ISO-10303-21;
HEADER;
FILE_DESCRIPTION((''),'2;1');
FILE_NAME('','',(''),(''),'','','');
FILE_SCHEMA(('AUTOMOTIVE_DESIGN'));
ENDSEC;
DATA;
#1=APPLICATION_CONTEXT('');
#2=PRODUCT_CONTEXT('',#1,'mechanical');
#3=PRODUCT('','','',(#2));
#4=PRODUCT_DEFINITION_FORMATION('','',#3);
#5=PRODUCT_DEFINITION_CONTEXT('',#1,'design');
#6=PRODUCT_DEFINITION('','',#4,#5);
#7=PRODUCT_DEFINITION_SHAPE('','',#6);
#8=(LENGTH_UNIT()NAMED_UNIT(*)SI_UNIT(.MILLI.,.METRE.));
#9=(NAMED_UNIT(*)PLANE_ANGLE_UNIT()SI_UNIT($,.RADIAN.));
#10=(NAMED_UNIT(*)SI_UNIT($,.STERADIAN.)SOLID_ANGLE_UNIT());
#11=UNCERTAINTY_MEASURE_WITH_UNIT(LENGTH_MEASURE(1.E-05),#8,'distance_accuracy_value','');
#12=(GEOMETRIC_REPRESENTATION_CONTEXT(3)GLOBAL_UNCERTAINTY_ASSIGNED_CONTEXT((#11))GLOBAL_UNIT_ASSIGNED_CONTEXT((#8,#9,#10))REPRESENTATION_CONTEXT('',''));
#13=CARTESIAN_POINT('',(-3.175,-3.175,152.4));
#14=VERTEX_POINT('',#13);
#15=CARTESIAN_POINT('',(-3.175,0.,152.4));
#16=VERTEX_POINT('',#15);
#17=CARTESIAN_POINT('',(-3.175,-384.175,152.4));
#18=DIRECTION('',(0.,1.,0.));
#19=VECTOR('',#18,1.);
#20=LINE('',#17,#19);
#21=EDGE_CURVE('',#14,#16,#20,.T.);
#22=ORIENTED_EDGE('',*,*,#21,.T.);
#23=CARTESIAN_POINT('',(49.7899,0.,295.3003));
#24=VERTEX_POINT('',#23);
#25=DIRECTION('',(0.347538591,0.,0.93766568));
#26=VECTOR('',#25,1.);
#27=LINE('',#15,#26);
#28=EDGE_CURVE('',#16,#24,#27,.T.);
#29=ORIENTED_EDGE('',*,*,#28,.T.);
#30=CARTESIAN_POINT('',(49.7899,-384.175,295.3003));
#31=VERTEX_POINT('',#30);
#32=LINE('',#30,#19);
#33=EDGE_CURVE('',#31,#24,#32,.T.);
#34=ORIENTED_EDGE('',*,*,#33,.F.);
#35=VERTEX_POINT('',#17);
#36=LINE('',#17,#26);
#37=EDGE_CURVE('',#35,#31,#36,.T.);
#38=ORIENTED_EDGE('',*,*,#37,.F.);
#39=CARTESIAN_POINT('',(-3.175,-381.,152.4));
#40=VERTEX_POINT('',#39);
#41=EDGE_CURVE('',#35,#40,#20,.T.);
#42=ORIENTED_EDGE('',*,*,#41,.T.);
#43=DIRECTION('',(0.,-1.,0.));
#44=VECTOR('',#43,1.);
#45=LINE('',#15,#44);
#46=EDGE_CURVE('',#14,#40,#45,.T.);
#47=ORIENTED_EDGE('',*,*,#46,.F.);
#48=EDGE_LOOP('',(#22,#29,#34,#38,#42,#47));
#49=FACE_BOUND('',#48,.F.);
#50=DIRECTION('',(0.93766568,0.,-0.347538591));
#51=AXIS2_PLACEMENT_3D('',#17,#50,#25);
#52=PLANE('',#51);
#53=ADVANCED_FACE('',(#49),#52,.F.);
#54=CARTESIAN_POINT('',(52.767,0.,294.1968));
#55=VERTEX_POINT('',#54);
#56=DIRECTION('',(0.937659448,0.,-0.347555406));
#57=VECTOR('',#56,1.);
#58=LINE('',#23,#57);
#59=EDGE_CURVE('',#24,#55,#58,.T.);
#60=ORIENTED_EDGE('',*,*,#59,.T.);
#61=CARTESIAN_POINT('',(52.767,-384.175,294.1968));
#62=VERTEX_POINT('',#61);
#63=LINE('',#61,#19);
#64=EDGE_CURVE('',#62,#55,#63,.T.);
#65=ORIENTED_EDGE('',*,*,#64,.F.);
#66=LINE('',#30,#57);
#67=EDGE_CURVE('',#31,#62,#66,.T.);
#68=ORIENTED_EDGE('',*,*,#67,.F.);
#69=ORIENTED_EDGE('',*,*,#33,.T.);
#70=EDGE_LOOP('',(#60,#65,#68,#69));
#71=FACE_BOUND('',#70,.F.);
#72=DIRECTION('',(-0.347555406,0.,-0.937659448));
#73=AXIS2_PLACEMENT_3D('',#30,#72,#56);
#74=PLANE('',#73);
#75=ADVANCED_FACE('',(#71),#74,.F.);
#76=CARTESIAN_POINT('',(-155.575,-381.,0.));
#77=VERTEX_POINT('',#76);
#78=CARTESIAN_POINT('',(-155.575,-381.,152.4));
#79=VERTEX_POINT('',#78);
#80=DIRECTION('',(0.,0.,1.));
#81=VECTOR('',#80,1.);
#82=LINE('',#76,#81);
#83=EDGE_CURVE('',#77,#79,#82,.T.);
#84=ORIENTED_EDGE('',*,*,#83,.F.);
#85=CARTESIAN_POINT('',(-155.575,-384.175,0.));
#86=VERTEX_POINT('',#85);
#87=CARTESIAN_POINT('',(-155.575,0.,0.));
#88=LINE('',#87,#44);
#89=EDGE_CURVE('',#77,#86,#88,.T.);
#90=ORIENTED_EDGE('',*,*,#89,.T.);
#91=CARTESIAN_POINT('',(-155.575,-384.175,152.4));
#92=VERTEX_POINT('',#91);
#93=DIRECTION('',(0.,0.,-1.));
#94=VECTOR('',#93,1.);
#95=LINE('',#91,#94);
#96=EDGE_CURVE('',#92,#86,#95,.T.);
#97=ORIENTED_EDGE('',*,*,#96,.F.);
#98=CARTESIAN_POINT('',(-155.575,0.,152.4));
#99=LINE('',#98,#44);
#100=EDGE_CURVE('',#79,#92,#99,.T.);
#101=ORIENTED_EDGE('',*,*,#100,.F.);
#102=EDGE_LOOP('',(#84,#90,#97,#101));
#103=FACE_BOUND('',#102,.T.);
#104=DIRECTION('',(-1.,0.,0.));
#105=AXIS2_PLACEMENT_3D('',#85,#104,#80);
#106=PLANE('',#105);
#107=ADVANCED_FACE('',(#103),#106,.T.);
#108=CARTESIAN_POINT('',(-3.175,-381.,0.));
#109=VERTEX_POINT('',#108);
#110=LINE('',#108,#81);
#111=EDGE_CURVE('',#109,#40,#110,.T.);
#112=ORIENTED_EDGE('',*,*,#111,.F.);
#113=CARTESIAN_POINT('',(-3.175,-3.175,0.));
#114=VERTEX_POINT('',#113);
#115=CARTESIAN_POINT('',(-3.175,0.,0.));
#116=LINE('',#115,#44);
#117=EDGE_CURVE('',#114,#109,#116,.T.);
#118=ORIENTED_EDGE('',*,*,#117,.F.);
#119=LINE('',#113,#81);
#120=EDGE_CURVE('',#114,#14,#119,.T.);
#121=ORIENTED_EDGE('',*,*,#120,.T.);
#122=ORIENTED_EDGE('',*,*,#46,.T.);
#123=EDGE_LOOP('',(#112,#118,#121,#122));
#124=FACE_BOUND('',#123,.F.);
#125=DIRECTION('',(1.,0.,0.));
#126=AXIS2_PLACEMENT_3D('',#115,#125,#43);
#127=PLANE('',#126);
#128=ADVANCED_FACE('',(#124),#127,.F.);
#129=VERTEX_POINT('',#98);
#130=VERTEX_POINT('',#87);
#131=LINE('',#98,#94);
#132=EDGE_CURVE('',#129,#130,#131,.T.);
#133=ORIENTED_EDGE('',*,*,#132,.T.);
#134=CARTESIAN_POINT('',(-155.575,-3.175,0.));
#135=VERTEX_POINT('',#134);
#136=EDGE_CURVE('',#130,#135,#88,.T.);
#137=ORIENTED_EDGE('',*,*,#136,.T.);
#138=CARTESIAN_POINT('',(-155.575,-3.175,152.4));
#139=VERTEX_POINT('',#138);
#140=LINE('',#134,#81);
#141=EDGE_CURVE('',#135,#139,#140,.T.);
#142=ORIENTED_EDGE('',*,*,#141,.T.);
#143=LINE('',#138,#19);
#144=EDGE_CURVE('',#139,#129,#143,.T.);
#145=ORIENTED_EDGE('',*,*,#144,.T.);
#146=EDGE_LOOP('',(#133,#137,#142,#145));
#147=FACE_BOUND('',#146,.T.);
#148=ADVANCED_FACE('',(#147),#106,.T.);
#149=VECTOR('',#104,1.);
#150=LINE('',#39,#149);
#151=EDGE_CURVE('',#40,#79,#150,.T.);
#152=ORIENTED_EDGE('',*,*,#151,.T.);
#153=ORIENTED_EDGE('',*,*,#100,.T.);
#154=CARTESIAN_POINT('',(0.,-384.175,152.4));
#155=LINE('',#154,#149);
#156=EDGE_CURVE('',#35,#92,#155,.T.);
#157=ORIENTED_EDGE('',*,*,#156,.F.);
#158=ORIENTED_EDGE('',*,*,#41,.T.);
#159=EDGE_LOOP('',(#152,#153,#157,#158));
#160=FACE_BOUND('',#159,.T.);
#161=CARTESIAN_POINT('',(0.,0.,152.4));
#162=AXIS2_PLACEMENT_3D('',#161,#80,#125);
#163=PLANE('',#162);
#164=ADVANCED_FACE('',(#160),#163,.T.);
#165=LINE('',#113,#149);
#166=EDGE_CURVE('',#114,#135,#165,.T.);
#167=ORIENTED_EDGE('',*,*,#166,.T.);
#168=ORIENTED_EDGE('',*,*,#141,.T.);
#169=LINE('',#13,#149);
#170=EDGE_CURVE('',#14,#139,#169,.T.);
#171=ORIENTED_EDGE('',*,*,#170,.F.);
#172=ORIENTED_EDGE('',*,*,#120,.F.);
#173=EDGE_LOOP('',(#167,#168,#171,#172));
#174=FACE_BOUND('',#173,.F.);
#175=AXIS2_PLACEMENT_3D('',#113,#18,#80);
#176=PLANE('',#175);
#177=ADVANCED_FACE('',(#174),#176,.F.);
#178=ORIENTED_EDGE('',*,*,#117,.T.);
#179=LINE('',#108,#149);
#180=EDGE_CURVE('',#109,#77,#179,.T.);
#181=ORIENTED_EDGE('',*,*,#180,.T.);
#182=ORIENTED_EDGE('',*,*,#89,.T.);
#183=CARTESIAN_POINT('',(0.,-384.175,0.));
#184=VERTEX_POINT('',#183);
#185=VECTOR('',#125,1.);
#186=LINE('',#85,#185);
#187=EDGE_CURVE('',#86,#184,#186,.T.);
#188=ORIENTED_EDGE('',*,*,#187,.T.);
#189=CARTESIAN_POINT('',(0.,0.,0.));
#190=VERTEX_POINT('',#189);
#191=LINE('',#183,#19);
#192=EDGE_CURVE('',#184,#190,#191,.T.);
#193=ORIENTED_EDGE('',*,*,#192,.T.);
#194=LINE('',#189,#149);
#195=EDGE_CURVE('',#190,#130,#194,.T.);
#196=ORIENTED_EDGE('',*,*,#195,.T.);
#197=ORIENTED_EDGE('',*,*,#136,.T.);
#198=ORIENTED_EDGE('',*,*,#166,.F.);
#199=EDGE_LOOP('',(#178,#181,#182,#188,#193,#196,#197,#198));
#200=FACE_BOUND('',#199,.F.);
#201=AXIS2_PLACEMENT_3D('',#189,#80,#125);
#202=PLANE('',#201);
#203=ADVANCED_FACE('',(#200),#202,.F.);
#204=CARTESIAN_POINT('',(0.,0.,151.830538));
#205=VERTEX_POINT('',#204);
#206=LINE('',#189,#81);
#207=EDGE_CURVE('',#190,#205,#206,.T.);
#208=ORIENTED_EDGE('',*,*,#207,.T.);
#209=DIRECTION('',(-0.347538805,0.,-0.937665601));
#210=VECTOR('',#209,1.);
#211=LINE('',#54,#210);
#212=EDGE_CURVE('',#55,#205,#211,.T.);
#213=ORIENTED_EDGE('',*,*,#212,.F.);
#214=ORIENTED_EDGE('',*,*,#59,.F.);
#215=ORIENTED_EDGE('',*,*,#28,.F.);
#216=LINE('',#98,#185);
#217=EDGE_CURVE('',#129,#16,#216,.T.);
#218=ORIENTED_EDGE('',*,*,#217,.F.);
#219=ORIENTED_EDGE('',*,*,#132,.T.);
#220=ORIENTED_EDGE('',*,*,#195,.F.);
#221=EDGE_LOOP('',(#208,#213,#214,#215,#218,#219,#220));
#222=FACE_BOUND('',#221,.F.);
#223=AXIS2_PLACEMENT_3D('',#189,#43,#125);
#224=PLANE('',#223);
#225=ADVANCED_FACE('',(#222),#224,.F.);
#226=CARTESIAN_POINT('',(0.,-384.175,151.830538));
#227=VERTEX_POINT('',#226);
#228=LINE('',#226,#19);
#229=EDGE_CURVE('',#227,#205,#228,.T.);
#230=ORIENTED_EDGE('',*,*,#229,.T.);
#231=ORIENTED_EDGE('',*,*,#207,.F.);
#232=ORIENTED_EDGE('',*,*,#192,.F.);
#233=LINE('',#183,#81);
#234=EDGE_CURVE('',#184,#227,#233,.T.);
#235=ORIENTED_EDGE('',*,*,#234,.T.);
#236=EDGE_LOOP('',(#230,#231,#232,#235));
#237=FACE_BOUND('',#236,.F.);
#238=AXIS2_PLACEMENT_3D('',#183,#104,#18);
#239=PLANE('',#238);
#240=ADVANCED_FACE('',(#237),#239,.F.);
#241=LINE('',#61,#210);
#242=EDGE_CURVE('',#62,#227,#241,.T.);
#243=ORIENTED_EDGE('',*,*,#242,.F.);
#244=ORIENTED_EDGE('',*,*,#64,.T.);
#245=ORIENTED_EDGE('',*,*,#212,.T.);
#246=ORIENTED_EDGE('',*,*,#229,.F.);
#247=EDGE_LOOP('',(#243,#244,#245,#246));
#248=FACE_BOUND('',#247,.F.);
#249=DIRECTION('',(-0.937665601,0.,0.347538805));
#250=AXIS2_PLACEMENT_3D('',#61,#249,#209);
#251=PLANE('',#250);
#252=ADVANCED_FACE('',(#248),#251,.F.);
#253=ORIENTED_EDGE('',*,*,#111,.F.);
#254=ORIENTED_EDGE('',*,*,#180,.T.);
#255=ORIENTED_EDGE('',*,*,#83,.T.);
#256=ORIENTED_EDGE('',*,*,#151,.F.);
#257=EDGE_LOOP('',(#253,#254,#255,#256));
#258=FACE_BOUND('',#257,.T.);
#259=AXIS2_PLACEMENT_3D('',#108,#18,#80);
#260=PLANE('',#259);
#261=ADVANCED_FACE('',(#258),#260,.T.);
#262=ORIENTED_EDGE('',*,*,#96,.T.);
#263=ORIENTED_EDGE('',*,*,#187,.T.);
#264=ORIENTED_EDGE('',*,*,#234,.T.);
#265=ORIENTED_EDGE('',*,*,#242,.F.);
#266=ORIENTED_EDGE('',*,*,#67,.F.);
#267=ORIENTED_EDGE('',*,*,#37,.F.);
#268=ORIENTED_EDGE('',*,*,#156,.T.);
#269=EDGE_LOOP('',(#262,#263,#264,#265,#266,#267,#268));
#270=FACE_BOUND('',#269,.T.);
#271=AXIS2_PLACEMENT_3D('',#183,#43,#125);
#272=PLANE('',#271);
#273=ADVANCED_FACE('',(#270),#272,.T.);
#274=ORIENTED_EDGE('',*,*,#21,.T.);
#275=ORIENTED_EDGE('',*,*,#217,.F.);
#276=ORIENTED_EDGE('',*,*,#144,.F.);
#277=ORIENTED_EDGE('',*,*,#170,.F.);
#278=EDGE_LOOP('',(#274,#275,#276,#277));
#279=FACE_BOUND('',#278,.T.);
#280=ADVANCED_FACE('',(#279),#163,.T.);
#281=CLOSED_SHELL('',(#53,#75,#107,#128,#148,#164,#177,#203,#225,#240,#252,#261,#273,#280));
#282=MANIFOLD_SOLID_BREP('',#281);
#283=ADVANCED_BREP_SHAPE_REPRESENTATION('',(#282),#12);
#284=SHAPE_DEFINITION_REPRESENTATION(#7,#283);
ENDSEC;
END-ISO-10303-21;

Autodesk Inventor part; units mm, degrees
ref_plane "YZ Plane" through (0, 0, 0) normal (1, 0, 0) x (0, 1, 0)
ref_plane "XZ Plane" through (0, 0, 0) normal (0, 1, 0) x (-1, 0, 0)
ref_plane "XY Plane" through (0, 0, 0) normal (0, 0, 1) x (1, 0, 0)
sketch "Sketch1" plane through (0, 0, 0) normal (0, 0, 1) x (1, 0, 0)
  line L0 (0, 0) -> (-3.175, 0)
  line L1 (-3.175, 0) -> (-3.175, -384.175)
  line L2 (-3.175, -384.175) -> (0, -384.175)
  line L3 (0, -384.175) -> (0, 0)
  dimension "d0" = 3.175
  dimension "d1" = 384.175
extrude "Extrusion1" add sketch "Sketch1" along normal blind 152.4
sketch "Sketch2" plane through (-3.175, -384.175, 0) normal (-1, 0, 0) x (0, 0, 1)
  line L0 (0, 384.175) -> (0, 0) projected
  line L1 (152.4, 384.175) -> (0, 384.175)
  line L2 (0, 384.175) -> (0, 381)
  line L3 (0, 381) -> (152.4, 381)
  line L4 (152.4, 381) -> (152.4, 384.175)
  line L5 (0, 384.175) -> (152.4, 384.175) projected
  line L6 (152.4, 384.175) -> (152.4, 0) projected
  line L7 (152.4, 0) -> (0, 0)
  line L8 (0, 0) -> (0, 3.175)
  line L9 (0, 3.175) -> (152.4, 3.175)
  line L10 (152.4, 3.175) -> (152.4, 0)
  dimension "d4" = 152.4
  dimension "d5" = 3.175
  dimension "d6" = 3.175
extrude "Extrusion2" add sketch "Sketch2" along normal blind 152.4 contours L1 L4 L3 L0 | L9 L6 L7 L0
sketch "Sketch3" plane through (0, -384.175, 0) normal (0, -1, 0) x (1, 0, 0)
  line L0 (-3.175, 152.4) -> (49.7899, 295.3003)
  line L1 (49.7899, 295.3003) -> (52.767, 294.1968)
  line L2 (52.767, 294.1968) -> (-0.1979, 151.2966)
  line L3 (-0.1979, 151.2966) -> (-3.175, 152.4)
  point P0 (0, 0)
  dimension "d9" = 3.175
  dimension "d10" = 152.4
extrude "Extrusion3" add sketch "Sketch3" against normal blind 384.175
